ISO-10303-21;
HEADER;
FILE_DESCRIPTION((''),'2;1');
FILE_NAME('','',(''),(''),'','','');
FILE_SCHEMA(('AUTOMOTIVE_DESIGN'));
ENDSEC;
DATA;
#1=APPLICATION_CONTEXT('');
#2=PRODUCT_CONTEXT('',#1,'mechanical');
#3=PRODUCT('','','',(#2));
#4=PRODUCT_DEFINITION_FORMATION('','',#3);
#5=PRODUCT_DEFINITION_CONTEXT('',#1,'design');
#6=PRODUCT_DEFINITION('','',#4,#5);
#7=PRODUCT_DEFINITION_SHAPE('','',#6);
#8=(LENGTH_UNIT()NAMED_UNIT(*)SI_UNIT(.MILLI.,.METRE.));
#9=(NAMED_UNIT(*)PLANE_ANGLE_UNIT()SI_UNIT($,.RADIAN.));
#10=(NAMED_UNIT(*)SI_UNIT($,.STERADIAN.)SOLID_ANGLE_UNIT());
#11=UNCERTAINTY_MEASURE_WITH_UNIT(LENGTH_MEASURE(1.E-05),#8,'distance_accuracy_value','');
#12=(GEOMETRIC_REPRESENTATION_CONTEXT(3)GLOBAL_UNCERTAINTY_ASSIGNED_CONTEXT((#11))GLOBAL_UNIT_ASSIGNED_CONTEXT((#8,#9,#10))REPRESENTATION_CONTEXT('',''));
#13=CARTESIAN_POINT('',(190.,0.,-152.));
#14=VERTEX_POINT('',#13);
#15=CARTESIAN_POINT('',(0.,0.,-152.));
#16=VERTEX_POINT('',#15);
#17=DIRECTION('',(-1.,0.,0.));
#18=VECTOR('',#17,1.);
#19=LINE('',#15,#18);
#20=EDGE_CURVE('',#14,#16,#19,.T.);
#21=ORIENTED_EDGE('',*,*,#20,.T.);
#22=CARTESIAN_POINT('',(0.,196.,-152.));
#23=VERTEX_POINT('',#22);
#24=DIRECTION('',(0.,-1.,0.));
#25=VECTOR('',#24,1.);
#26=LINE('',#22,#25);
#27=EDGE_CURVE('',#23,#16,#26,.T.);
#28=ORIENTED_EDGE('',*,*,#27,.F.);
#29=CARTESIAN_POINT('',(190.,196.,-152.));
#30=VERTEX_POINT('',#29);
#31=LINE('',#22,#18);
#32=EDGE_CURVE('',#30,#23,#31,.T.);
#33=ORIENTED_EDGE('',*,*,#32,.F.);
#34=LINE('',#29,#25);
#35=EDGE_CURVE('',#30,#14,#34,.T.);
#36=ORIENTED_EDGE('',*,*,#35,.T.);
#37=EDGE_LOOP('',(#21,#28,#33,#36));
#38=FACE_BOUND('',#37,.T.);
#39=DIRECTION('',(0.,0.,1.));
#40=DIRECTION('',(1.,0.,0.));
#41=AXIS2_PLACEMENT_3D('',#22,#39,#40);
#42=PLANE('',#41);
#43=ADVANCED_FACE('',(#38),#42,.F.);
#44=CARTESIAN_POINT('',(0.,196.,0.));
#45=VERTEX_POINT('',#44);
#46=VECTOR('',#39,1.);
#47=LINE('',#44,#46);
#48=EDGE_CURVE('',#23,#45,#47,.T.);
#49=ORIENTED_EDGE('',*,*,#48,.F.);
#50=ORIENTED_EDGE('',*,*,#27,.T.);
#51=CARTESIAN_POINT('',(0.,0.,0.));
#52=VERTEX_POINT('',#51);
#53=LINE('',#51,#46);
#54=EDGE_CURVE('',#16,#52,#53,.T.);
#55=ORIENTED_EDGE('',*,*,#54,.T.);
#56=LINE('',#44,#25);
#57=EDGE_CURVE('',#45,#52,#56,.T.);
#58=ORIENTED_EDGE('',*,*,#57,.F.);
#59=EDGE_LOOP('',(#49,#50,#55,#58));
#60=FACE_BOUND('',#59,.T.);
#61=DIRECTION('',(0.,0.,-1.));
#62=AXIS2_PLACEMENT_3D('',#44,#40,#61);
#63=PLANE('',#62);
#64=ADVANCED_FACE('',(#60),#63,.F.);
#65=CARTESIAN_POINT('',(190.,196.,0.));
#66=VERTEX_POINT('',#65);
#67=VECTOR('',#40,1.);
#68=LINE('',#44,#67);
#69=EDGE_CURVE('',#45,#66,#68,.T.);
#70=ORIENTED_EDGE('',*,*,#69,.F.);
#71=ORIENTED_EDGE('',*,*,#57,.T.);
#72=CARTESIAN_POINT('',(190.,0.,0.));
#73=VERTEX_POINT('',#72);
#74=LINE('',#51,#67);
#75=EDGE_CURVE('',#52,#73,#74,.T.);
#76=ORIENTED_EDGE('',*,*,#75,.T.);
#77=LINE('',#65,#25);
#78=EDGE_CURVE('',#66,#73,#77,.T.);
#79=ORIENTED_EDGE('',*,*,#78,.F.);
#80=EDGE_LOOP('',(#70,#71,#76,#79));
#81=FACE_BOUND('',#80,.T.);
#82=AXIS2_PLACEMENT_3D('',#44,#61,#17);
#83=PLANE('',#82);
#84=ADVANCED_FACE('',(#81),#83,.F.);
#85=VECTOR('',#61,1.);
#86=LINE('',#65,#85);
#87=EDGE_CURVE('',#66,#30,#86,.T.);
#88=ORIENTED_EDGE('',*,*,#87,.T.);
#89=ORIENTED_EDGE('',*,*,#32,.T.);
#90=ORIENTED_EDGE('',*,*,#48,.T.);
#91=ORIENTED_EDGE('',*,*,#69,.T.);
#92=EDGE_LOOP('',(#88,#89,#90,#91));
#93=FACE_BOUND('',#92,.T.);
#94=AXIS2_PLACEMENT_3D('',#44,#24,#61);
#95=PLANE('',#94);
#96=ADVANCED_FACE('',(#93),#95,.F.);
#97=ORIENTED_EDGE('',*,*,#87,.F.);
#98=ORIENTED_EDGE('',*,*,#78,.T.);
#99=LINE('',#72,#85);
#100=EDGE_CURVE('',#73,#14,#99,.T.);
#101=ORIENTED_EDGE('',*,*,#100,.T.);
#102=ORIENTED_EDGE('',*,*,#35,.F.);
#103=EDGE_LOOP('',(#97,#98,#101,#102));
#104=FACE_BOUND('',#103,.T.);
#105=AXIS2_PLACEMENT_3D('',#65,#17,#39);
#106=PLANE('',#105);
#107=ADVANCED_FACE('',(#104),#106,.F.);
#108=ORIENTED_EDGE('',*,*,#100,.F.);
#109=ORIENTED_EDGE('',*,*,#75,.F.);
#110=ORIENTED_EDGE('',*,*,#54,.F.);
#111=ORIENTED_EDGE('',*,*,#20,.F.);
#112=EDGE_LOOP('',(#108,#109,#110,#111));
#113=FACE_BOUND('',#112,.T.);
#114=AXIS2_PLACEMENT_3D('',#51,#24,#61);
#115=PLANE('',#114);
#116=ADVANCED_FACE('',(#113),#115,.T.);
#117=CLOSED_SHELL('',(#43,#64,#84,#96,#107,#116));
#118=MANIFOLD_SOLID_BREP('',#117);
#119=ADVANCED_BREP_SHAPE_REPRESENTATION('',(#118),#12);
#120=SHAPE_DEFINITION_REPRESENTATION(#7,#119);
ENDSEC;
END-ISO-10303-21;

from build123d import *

# Parameters (mm, degrees)
SKETCH1_W           = 190
SKETCH1_H           = 152
BOSS_EXTRUDE1_DEPTH = 196


with BuildPart() as part:
    # Sketch1 → Boss-Extrude1 (new body)
    with BuildSketch(Plane(origin=(0, 0, 0), x_dir=(1, 0, 0), z_dir=(0, 1, 0))):
        with Locations((95, 76)):
            Rectangle(SKETCH1_W, SKETCH1_H)
    extrude(amount=BOSS_EXTRUDE1_DEPTH)


solid = part.part
